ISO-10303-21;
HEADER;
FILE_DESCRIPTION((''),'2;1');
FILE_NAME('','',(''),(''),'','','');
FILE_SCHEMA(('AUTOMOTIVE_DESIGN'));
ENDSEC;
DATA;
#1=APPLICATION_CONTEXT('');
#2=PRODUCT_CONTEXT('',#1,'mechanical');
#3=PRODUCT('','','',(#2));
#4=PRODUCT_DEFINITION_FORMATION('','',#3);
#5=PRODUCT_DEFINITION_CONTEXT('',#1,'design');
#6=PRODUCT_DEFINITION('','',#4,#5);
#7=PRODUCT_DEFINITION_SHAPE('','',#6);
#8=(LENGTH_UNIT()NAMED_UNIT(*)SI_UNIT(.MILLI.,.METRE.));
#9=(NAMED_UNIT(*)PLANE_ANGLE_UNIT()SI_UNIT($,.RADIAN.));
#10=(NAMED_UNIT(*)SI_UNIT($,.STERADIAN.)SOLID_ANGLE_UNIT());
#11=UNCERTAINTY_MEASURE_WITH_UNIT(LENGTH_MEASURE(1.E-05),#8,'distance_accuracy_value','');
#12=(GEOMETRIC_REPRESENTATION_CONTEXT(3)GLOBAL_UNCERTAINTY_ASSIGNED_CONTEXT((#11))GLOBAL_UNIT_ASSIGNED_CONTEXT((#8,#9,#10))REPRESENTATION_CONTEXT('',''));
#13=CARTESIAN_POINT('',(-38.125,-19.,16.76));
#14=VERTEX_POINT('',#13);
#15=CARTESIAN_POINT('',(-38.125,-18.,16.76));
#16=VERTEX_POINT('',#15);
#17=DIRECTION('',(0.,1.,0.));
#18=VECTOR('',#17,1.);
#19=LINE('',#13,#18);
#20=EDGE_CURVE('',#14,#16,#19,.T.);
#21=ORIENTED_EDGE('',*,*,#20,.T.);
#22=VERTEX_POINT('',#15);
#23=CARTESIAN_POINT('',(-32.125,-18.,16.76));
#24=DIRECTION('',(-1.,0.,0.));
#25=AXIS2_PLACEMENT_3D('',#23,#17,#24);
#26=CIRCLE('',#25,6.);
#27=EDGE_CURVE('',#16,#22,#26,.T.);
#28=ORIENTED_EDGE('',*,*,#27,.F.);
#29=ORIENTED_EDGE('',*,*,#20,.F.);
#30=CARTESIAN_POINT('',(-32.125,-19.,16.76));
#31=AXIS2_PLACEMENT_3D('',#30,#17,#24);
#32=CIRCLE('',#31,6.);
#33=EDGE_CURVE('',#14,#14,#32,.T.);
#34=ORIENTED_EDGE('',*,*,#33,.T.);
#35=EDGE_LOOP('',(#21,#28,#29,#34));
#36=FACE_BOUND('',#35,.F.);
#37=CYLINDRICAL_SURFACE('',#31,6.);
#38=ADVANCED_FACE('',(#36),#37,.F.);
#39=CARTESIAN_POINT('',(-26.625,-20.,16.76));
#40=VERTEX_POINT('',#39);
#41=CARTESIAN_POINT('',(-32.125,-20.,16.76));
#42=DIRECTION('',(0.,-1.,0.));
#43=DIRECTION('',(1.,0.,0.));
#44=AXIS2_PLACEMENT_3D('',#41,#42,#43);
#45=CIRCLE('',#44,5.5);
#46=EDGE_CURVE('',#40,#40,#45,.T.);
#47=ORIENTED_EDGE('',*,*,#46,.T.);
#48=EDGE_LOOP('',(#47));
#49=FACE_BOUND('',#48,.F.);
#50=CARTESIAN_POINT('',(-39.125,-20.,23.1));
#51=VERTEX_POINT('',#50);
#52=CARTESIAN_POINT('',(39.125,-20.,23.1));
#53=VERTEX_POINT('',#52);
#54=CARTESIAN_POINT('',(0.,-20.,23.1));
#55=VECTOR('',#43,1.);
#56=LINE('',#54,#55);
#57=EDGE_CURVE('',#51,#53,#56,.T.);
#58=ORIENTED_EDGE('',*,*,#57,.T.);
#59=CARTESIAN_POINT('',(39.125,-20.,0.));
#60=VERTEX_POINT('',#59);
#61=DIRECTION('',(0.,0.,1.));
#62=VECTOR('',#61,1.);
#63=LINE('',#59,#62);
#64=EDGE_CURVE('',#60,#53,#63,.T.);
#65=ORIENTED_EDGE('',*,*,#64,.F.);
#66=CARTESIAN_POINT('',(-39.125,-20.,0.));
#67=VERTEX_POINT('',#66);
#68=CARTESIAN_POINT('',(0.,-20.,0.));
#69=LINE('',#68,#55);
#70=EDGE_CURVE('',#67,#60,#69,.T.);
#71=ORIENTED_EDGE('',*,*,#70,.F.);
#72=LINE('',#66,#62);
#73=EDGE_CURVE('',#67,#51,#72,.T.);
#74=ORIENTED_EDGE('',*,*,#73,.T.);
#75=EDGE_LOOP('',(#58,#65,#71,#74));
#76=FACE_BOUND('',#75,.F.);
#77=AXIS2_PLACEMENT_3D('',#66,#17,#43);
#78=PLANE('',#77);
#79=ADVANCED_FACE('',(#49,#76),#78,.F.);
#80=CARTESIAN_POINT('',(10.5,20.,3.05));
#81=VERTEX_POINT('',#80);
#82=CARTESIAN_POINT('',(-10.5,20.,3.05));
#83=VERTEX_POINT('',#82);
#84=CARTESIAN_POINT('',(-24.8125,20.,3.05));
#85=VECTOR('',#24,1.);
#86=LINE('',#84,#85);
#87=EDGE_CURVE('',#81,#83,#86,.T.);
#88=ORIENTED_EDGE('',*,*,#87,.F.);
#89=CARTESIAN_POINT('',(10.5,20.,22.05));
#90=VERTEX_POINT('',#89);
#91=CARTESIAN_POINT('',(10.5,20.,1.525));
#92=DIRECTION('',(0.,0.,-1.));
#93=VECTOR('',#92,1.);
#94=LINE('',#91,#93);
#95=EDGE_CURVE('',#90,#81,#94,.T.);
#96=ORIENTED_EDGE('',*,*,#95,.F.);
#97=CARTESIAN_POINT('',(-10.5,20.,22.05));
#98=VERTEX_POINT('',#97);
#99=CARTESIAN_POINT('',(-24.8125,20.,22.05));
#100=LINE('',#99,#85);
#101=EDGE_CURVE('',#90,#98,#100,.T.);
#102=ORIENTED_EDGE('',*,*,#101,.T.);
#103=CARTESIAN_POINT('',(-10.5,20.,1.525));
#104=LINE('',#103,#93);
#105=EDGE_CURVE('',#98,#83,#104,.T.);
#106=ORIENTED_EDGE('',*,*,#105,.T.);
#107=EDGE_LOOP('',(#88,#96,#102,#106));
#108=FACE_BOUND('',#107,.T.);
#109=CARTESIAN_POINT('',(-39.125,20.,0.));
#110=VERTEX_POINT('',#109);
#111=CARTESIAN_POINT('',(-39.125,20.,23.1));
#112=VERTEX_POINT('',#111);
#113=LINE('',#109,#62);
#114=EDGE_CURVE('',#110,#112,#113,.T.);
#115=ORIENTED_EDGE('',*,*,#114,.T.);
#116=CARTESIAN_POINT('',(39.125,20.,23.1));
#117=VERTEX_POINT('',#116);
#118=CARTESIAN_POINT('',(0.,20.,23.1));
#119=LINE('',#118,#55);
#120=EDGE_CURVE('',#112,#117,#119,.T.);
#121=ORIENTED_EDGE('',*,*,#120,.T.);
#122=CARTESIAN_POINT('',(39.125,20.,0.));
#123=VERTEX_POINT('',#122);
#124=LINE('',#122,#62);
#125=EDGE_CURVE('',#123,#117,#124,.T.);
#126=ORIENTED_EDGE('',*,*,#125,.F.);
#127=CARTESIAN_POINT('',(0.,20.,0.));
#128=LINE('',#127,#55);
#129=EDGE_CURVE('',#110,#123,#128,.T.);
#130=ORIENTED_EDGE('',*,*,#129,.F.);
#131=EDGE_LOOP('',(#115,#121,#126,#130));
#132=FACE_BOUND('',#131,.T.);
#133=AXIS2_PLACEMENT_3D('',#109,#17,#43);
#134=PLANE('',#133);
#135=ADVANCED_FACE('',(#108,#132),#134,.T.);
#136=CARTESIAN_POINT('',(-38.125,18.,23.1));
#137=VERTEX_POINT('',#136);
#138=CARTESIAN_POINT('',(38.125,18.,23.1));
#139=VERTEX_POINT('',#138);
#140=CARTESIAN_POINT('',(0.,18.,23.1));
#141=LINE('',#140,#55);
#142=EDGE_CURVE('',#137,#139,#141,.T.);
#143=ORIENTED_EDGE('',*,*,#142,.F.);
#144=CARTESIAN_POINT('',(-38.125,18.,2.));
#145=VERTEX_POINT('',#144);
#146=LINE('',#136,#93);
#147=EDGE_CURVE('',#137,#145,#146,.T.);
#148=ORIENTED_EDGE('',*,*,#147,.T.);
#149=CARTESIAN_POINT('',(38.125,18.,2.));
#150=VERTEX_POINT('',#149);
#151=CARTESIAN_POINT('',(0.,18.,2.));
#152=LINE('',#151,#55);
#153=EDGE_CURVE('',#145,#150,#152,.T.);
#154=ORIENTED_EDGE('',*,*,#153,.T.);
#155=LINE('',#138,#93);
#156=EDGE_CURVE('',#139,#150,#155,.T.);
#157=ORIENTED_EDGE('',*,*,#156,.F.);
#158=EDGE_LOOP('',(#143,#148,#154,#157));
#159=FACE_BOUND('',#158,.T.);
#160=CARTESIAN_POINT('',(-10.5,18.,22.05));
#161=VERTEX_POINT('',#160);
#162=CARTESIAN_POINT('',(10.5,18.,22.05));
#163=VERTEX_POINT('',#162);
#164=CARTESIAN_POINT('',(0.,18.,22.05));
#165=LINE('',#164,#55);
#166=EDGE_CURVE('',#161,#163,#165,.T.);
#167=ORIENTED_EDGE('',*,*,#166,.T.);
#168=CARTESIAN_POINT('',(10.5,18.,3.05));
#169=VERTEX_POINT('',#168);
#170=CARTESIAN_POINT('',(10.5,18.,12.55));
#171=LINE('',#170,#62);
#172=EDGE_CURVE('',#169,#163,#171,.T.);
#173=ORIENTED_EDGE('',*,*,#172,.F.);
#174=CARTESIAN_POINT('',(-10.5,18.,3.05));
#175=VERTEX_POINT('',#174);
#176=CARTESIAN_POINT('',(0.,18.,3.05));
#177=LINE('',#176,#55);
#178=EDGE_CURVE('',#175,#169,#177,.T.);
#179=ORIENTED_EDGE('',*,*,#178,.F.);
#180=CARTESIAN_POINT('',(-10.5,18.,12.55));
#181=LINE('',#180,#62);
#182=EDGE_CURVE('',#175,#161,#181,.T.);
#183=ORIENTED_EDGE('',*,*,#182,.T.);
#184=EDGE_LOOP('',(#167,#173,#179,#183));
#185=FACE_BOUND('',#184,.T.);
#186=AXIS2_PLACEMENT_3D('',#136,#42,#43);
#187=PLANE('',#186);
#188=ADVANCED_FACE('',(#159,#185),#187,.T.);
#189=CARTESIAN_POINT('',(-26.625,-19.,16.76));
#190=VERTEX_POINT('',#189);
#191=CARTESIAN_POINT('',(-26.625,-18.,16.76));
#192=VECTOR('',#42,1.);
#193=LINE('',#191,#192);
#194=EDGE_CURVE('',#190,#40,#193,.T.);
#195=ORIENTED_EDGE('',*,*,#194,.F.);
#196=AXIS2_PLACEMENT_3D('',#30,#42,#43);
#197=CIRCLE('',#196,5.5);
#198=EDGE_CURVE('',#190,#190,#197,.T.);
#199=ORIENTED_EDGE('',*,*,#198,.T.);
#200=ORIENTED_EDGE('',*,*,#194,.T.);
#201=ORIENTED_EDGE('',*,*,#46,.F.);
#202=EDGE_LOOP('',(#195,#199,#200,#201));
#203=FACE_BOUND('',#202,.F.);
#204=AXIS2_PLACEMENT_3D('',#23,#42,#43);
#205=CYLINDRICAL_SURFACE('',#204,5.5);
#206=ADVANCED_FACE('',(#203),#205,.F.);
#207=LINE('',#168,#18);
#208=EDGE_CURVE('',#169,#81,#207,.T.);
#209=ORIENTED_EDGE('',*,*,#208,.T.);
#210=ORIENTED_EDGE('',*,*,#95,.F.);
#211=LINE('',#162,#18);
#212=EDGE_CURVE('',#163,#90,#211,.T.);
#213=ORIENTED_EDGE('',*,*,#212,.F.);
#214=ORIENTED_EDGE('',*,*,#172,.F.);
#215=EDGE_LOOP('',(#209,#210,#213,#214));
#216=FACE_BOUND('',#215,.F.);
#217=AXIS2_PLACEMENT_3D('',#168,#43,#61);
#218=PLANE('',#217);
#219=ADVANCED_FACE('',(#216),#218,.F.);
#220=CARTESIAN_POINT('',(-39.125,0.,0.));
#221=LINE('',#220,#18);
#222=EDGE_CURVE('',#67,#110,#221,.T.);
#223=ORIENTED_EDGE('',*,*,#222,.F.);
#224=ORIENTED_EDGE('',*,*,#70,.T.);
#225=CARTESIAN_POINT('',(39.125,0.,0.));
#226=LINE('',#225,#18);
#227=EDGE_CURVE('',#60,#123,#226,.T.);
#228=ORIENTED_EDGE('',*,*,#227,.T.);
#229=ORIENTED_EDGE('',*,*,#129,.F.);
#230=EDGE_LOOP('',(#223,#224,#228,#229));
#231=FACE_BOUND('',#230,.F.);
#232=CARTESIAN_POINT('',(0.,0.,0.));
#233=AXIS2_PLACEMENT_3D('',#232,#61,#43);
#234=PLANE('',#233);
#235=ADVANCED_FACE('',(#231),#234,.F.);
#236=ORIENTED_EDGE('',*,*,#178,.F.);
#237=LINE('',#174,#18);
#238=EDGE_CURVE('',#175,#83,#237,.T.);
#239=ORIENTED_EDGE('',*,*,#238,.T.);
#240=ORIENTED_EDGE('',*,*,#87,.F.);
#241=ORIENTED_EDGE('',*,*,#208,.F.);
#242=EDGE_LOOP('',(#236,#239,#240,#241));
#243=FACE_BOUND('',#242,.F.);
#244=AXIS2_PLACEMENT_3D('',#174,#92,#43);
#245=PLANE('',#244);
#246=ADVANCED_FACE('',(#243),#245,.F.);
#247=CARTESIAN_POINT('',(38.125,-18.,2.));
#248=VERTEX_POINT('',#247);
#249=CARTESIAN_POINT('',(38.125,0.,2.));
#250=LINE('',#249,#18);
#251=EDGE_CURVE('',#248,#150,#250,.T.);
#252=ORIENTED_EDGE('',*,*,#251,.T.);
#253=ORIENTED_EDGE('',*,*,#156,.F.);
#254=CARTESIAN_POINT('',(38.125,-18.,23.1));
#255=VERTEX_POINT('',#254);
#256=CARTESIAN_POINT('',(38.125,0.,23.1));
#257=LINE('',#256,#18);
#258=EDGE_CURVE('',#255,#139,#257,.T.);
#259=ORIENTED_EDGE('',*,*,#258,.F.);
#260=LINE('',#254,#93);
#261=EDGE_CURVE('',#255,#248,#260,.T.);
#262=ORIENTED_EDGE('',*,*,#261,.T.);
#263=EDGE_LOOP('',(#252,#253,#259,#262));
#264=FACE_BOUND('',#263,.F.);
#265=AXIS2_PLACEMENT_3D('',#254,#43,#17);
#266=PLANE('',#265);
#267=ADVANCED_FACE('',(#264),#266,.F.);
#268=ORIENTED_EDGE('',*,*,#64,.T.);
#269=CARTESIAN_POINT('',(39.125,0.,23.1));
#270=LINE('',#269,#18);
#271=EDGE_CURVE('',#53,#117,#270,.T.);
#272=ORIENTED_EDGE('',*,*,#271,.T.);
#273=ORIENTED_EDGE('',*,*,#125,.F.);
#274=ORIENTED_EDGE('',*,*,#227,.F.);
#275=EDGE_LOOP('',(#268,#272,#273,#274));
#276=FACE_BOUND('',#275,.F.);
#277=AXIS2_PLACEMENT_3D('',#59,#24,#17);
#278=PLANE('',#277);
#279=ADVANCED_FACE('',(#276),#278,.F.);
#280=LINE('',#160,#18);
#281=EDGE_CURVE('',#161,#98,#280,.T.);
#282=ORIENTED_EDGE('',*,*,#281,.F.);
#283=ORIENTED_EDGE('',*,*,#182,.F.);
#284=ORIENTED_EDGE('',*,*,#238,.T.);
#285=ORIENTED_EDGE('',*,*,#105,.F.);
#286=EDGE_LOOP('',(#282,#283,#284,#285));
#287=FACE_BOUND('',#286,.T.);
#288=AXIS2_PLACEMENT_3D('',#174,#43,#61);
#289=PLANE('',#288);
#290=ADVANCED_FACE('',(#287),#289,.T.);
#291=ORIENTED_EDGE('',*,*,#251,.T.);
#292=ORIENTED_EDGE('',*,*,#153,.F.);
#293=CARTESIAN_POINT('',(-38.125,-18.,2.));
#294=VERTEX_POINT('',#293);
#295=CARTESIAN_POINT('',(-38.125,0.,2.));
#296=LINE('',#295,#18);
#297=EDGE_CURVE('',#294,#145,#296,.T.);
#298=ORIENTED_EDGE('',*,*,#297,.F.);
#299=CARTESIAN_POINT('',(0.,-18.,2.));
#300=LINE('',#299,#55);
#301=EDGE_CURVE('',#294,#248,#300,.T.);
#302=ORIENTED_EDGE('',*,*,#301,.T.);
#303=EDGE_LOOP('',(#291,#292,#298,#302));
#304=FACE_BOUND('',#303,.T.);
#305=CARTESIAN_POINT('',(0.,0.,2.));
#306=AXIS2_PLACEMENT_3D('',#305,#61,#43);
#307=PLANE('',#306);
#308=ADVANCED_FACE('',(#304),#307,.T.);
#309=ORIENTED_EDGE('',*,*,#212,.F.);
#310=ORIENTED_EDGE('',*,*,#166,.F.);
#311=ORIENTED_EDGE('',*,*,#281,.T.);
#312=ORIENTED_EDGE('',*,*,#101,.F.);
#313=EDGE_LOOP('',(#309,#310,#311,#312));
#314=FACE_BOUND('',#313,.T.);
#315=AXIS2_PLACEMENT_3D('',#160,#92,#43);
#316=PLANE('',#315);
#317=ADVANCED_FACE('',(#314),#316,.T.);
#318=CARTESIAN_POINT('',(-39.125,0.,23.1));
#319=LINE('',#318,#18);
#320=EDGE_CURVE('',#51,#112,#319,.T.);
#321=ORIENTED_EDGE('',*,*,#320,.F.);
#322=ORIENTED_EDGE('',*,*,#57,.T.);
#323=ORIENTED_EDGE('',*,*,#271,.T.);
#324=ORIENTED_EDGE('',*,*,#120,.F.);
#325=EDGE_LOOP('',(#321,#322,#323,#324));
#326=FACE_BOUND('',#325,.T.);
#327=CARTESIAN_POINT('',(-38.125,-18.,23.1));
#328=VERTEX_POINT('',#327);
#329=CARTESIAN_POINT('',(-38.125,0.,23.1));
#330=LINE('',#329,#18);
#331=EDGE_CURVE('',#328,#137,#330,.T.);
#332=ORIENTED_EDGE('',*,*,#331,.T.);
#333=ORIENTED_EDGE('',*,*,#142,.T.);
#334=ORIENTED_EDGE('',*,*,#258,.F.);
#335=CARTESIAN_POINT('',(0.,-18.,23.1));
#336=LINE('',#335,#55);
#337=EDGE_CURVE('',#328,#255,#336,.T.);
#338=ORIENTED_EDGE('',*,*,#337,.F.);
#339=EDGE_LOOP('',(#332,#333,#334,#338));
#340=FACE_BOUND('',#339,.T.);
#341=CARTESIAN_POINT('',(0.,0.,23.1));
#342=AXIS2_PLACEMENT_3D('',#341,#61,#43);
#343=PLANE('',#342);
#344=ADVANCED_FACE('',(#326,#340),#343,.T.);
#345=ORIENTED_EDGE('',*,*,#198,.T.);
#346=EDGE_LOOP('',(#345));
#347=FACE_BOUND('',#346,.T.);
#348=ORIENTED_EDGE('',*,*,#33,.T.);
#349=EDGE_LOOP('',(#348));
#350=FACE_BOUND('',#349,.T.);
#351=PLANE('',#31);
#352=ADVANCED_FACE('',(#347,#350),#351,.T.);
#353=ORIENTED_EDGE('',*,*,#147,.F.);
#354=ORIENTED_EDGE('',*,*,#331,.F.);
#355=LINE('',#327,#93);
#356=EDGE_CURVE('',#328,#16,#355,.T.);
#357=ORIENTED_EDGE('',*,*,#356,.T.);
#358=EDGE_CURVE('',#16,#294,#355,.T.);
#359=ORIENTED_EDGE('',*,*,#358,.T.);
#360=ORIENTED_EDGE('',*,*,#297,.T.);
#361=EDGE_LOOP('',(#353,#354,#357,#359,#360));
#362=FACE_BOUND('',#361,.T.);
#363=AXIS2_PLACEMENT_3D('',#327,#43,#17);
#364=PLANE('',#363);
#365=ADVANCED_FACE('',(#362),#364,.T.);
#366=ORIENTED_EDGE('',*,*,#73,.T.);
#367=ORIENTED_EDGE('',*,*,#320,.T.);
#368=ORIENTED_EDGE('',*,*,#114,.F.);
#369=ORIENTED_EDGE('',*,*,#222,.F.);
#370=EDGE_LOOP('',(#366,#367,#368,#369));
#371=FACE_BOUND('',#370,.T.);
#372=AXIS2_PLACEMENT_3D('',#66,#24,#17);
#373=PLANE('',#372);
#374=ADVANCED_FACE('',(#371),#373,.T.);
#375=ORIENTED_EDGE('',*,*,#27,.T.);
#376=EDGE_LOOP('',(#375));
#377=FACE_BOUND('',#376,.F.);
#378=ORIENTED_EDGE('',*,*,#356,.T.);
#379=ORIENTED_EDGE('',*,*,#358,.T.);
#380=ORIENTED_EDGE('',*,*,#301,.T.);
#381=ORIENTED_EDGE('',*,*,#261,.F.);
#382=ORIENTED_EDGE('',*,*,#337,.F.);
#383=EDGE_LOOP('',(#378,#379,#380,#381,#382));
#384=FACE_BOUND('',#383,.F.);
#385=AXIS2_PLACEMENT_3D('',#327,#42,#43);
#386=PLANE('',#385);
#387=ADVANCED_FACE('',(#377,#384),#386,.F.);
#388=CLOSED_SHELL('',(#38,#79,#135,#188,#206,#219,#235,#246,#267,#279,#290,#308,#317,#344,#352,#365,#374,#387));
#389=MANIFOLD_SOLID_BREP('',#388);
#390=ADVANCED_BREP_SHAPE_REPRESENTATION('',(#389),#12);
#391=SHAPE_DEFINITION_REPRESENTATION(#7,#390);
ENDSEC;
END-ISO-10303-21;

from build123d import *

# Parameters (mm, degrees)
F0_W           = 78.25
F0_H           = 40
F1_DEPTH       = 23.1
F2_W           = 76.25
F2_H           = 36
F3_DEPTH       = 21.1
F5_D           = 11
F5_DEPTH       = 10
F5_CBORE_D     = 12
F5_CBORE_DEPTH = 1
F7_W           = 21
F7_H           = 19
F8_DEPTH       = 25.4
F8_DEPTH_BACK  = 25.4


with BuildPart() as f1:
    # F0 (on Top) → F1 (new body)
    with BuildSketch(Plane.XY):
        Rectangle(F0_W, F0_H)
    extrude(amount=F1_DEPTH)

    # F2 (on face) → F3 (cut)
    with BuildSketch(Plane.XY.offset(23.1)):
        Rectangle(F2_W, F2_H)
    extrude(amount=-F3_DEPTH, mode=Mode.SUBTRACT)

    # F5
    with Locations(Plane(origin=(0, -18, 0), x_dir=(-1, 0, 0), z_dir=(0, 1, 0))):
        with Locations((32.125, 16.76)):
            CounterBoreHole(F5_D / 2, F5_CBORE_D / 2, F5_CBORE_DEPTH, depth=F5_DEPTH)

    # F7 (on face) → F8 (cut, two sides)
    with BuildSketch(Plane.XZ.offset(-18)) as f8_sk:
        with Locations((0, 12.55)):
            Rectangle(F7_W, F7_H)
    extrude(amount=-F8_DEPTH, mode=Mode.SUBTRACT)
    extrude(f8_sk.sketch, amount=-F8_DEPTH_BACK, mode=Mode.SUBTRACT)


solid = f1.part
